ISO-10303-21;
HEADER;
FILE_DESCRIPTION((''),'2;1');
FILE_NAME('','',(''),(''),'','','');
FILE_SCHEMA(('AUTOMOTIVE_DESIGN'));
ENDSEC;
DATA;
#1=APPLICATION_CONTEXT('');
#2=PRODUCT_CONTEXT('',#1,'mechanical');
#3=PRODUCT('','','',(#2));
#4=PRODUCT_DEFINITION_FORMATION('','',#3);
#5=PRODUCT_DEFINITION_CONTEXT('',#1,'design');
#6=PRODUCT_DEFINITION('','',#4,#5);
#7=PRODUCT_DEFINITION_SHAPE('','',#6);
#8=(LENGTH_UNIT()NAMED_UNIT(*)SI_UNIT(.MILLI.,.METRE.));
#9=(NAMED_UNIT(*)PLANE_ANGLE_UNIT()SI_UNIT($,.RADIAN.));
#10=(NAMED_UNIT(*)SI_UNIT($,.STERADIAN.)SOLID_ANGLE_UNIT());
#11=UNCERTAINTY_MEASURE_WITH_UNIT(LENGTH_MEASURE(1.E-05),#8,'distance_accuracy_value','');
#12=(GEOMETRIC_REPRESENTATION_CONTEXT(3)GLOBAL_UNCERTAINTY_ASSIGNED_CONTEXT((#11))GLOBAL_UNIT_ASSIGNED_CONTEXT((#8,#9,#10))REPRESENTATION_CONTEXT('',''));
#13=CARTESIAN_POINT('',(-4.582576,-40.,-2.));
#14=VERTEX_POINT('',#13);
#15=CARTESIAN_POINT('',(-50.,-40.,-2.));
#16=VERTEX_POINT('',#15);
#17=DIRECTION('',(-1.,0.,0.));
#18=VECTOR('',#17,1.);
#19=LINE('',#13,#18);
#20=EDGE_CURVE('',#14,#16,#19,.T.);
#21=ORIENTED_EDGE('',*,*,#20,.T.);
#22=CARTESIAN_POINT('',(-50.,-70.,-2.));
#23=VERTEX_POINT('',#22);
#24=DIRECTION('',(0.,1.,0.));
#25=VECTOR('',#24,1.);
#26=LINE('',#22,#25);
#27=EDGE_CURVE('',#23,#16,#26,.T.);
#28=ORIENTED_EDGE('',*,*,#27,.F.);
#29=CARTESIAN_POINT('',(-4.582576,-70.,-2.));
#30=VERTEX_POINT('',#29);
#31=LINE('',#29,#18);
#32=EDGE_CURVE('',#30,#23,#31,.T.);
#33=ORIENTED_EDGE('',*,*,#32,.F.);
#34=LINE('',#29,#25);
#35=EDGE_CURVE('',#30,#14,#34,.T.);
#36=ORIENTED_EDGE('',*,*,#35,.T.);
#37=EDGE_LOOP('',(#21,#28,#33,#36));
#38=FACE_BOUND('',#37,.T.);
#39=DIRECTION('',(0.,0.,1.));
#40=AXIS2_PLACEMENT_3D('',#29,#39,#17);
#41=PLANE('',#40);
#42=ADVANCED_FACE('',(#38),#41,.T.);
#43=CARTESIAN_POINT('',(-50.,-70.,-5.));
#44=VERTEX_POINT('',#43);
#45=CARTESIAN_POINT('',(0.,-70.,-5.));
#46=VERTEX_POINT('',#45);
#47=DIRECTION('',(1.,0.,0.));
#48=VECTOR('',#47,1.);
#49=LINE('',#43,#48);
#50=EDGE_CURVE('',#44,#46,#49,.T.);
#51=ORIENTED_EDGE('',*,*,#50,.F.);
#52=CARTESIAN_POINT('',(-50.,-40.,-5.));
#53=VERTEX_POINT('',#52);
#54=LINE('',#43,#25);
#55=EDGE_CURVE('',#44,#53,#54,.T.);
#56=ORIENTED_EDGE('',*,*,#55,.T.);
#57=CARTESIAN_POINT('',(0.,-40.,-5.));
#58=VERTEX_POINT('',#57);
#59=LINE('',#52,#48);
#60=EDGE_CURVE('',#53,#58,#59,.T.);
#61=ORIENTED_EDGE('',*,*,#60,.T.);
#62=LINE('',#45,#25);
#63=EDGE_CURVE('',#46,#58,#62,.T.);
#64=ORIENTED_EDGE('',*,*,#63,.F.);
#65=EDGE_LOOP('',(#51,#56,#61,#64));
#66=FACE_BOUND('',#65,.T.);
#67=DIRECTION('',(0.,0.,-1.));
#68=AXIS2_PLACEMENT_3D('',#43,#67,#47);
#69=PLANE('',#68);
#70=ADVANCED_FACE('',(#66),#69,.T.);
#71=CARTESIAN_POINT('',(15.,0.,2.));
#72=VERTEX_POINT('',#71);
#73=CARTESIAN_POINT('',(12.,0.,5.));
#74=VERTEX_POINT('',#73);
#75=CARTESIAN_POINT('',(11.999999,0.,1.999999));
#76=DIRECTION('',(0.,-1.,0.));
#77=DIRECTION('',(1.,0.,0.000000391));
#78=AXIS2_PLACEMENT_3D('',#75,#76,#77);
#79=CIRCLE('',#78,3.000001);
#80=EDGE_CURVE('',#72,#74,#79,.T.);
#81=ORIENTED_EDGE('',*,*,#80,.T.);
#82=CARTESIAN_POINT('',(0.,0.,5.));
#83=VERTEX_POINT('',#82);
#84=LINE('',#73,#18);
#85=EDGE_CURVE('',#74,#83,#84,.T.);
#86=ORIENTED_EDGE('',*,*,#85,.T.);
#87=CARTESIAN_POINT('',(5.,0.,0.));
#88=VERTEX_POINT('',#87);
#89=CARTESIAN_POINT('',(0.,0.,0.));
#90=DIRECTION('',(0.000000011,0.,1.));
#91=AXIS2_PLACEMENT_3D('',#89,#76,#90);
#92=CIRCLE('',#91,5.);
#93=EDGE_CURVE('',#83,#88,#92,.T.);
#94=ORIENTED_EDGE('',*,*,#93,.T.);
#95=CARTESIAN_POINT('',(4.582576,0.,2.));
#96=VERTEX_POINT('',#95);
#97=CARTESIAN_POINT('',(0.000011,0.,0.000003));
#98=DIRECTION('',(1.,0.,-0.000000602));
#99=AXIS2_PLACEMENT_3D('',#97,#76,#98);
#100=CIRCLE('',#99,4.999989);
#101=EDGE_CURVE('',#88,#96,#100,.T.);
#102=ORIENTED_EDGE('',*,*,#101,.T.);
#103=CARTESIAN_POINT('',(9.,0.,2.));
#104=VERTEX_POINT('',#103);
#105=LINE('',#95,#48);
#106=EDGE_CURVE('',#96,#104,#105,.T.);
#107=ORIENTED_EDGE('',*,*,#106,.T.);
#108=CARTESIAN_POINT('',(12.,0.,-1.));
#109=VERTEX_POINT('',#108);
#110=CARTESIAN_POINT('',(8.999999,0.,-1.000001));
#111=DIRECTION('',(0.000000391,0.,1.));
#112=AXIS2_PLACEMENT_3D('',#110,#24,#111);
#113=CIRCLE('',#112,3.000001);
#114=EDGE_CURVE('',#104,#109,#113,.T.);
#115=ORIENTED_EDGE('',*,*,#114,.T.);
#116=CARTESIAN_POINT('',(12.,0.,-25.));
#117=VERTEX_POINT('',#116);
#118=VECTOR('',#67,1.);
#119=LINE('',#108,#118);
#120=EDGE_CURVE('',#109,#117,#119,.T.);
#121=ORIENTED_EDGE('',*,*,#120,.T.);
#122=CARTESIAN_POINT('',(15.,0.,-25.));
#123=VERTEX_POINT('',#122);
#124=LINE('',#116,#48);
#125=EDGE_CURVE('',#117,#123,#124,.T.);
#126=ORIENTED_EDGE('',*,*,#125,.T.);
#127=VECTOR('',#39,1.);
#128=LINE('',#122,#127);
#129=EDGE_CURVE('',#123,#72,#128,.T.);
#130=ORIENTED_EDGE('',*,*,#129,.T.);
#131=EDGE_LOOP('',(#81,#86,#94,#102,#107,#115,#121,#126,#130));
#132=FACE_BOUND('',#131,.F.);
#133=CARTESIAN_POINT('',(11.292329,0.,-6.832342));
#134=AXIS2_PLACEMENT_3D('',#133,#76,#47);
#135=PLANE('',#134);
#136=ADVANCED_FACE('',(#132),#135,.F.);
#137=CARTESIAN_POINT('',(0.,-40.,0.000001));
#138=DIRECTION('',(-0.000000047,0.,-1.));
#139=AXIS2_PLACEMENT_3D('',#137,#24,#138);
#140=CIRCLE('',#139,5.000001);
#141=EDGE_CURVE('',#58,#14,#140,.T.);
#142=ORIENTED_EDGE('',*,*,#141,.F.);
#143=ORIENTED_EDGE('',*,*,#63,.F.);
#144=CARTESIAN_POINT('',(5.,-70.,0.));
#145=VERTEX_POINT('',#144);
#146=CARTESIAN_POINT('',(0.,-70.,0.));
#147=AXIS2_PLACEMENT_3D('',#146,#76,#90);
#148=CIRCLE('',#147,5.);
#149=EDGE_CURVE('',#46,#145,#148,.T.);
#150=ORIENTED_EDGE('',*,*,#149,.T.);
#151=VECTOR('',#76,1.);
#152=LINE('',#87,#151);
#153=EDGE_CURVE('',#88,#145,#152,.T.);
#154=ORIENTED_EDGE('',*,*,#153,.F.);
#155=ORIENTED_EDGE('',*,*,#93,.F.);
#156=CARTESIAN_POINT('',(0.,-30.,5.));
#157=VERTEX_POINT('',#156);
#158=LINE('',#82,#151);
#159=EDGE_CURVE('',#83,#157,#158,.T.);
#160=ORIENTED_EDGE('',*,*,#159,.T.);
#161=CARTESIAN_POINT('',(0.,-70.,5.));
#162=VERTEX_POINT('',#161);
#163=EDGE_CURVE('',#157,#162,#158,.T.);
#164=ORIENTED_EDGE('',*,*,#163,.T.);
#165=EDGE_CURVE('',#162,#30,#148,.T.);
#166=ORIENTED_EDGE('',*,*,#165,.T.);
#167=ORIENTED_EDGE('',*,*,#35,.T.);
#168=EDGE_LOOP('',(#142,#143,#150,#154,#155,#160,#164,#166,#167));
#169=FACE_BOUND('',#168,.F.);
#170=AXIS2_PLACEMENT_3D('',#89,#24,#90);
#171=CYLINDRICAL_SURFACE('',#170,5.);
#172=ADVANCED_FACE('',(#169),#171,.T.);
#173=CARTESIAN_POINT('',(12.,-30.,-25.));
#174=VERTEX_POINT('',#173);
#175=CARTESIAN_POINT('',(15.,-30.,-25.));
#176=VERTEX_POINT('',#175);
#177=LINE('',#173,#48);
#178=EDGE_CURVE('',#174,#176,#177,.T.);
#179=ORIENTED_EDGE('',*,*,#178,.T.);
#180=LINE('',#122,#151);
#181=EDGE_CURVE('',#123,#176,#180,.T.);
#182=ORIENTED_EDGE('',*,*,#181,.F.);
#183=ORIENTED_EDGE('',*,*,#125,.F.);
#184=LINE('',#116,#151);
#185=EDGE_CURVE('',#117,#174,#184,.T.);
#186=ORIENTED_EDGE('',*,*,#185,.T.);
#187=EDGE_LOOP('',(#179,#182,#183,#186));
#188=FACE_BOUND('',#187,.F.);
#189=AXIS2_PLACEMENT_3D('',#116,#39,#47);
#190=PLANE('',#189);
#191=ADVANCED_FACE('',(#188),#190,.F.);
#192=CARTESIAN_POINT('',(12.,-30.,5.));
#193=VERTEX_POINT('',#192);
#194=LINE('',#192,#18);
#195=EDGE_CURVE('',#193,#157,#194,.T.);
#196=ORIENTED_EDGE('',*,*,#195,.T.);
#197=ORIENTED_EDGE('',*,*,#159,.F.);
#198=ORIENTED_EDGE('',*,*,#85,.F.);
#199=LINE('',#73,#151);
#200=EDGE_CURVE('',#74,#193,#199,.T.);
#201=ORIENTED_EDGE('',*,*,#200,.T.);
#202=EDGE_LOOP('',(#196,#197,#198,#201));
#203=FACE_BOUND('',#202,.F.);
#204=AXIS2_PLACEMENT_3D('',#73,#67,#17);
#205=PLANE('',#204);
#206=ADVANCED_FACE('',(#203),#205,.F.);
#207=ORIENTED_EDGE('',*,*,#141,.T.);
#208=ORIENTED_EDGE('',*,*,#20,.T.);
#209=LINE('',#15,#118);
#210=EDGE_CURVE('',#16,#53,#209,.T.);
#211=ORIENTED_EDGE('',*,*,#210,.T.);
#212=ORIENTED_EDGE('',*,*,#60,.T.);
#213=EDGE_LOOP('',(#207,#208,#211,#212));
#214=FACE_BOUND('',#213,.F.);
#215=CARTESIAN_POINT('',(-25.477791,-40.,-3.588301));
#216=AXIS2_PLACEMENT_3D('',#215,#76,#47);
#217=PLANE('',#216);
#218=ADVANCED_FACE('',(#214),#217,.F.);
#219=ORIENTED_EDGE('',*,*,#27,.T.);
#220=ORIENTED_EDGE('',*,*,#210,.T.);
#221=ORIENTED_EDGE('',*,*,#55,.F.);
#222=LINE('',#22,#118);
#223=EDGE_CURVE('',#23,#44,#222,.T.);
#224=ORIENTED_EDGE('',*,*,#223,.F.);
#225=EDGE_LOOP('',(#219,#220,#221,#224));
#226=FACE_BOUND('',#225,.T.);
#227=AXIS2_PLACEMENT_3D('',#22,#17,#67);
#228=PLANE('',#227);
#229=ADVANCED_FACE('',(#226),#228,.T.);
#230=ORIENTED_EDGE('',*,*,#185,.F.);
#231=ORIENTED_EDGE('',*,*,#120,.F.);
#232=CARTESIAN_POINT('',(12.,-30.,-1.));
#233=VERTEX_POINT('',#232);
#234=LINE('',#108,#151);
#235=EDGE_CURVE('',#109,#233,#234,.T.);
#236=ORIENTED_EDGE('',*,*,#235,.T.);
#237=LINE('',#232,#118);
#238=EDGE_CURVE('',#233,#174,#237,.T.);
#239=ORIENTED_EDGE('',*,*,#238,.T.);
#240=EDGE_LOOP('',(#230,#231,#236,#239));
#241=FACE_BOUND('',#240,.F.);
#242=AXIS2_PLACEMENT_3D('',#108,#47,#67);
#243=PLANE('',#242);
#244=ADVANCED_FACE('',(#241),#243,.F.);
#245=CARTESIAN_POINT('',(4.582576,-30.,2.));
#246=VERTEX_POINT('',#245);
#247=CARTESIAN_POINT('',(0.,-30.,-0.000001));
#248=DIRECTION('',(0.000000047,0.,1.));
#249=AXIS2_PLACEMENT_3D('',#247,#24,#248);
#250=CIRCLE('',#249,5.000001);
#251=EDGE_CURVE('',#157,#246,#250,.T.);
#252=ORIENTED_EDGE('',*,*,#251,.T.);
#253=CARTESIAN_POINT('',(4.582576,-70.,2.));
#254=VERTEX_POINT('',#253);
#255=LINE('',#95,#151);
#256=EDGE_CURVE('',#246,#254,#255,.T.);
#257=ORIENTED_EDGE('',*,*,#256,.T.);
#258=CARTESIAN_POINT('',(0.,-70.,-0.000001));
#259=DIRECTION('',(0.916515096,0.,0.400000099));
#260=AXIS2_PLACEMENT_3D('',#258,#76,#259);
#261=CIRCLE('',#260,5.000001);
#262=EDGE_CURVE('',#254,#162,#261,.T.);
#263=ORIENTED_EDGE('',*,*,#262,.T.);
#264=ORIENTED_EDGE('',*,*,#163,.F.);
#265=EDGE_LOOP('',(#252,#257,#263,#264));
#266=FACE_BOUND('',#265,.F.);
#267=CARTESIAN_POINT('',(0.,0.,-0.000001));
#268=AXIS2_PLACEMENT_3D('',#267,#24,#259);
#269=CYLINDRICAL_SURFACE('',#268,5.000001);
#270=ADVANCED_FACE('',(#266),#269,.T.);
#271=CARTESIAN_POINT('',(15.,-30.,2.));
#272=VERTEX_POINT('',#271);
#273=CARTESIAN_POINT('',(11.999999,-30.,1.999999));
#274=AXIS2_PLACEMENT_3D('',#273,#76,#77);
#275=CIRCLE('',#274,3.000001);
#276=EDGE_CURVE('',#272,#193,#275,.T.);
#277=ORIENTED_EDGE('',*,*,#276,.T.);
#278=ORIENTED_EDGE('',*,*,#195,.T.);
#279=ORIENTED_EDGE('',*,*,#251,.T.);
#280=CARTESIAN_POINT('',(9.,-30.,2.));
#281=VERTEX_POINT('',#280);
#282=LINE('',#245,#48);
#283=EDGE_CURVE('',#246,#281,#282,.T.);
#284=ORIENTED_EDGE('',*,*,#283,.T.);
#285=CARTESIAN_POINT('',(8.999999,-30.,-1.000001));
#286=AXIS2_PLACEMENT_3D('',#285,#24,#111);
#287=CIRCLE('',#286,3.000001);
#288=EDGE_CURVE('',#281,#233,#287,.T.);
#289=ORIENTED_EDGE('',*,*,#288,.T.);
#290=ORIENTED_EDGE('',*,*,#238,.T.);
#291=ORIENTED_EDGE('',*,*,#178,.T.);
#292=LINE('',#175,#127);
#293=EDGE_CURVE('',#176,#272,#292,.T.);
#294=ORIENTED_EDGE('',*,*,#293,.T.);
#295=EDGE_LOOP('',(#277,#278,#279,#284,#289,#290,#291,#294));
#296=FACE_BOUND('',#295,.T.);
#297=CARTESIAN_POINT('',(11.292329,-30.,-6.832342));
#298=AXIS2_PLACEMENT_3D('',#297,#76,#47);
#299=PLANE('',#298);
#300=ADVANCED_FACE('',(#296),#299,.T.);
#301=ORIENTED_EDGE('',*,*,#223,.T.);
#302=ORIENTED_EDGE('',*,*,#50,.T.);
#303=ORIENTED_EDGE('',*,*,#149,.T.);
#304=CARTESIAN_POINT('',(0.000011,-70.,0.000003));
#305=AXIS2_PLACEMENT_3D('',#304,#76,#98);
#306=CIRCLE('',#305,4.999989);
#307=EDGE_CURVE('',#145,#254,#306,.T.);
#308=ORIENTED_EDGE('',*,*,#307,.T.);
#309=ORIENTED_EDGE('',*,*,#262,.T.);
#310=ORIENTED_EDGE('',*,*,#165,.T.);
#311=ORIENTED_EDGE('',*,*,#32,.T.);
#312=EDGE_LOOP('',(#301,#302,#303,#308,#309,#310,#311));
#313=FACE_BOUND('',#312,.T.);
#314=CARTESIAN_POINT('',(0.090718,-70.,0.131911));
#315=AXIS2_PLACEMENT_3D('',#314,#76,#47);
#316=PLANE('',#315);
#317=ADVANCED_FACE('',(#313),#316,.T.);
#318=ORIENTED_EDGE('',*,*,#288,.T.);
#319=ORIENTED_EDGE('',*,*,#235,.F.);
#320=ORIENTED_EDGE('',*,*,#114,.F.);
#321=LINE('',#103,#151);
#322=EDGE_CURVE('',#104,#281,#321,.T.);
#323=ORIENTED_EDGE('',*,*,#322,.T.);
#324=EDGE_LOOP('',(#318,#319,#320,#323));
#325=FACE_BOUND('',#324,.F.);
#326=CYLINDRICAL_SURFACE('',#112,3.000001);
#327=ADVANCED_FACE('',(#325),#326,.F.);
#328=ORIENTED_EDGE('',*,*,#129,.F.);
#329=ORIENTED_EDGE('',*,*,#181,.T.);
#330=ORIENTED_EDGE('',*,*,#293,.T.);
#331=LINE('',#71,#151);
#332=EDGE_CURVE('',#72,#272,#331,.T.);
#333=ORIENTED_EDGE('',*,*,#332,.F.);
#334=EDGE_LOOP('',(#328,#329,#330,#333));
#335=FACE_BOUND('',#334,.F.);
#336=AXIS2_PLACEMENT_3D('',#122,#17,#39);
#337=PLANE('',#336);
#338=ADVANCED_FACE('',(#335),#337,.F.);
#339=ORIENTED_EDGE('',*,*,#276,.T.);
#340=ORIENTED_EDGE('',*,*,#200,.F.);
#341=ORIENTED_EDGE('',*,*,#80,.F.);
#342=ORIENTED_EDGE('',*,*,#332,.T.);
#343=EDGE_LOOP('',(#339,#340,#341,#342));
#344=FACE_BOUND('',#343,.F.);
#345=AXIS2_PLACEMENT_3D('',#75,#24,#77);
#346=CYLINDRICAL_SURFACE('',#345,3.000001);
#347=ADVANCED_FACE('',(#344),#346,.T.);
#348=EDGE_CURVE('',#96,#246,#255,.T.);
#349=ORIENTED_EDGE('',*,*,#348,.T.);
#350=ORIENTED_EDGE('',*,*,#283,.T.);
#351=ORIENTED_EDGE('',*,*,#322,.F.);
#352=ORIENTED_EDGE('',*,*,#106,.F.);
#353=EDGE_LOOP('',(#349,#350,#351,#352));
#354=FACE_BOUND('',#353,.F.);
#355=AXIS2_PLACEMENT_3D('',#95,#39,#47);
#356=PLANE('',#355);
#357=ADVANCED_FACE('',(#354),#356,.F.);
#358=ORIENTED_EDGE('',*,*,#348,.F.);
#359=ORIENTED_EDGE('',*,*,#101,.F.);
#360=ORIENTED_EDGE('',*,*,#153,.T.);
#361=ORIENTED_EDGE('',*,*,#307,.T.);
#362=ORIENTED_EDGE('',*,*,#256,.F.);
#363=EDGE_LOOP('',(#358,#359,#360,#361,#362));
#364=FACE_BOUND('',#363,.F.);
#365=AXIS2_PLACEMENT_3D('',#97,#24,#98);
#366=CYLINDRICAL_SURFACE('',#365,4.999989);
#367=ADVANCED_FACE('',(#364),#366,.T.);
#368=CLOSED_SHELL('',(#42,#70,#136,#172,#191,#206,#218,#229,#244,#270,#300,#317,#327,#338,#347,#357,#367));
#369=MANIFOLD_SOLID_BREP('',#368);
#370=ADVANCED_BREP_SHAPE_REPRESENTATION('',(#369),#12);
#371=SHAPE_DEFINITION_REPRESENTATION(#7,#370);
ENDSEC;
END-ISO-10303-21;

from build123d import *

# Parameters (mm, degrees)
F1_DEPTH = 70
F2_DEPTH = 30
F4_DEPTH = 30


with BuildPart() as f1:
    # F0 (on Front) → F1 (new body)
    with BuildSketch(Plane.XZ):
        with BuildLine():
            Line((0, 2), (0, 5))
            ThreePointArc((0, 5), (-3.535534, -3.535534), (5, 0))
            ThreePointArc((5, 0), (4.894532, 1.021548), (4.582576, 2))
            Line((4.582576, 2), (0, 2))
        make_face()
        with BuildLine():
            ThreePointArc((4.582576, 2), (2.738613, 4.1833), (0, 5))
            Line((0, 5), (0, 2))
            Line((0, 2), (4.582576, 2))
        make_face()
    extrude(amount=F1_DEPTH)

    # F0 (on Front) → F2 (join)
    with BuildSketch(Plane.XZ):
        with BuildLine():
            Line((12, 5), (0, 5))
            ThreePointArc((0, 5), (2.738613, 4.1833), (4.582576, 2))
            Line((4.582576, 2), (9, 2))
            ThreePointArc((9, 2), (11.12132, 1.12132), (12, -1))
            Line((12, -1), (12, -25))
            Line((12, -25), (15, -25))
            Line((15, -25), (15, -3))
            Line((15, -3), (15, 2))
            ThreePointArc((15, 2), (14.12132, 4.12132), (12, 5))
        make_face()
    extrude(amount=F2_DEPTH)

    # F3 (on face) → F4 (join)
    with BuildSketch(Plane.XZ.offset(70)):
        with BuildLine():
            ThreePointArc((0, -5), (-2.738613, -4.1833), (-4.582576, -2))
            Line((-4.582576, -2), (-50, -2))
            Line((-50, -2), (-50, -5))
            Line((-50, -5), (0, -5))
        make_face()
    extrude(amount=-F4_DEPTH)


solid = f1.part
